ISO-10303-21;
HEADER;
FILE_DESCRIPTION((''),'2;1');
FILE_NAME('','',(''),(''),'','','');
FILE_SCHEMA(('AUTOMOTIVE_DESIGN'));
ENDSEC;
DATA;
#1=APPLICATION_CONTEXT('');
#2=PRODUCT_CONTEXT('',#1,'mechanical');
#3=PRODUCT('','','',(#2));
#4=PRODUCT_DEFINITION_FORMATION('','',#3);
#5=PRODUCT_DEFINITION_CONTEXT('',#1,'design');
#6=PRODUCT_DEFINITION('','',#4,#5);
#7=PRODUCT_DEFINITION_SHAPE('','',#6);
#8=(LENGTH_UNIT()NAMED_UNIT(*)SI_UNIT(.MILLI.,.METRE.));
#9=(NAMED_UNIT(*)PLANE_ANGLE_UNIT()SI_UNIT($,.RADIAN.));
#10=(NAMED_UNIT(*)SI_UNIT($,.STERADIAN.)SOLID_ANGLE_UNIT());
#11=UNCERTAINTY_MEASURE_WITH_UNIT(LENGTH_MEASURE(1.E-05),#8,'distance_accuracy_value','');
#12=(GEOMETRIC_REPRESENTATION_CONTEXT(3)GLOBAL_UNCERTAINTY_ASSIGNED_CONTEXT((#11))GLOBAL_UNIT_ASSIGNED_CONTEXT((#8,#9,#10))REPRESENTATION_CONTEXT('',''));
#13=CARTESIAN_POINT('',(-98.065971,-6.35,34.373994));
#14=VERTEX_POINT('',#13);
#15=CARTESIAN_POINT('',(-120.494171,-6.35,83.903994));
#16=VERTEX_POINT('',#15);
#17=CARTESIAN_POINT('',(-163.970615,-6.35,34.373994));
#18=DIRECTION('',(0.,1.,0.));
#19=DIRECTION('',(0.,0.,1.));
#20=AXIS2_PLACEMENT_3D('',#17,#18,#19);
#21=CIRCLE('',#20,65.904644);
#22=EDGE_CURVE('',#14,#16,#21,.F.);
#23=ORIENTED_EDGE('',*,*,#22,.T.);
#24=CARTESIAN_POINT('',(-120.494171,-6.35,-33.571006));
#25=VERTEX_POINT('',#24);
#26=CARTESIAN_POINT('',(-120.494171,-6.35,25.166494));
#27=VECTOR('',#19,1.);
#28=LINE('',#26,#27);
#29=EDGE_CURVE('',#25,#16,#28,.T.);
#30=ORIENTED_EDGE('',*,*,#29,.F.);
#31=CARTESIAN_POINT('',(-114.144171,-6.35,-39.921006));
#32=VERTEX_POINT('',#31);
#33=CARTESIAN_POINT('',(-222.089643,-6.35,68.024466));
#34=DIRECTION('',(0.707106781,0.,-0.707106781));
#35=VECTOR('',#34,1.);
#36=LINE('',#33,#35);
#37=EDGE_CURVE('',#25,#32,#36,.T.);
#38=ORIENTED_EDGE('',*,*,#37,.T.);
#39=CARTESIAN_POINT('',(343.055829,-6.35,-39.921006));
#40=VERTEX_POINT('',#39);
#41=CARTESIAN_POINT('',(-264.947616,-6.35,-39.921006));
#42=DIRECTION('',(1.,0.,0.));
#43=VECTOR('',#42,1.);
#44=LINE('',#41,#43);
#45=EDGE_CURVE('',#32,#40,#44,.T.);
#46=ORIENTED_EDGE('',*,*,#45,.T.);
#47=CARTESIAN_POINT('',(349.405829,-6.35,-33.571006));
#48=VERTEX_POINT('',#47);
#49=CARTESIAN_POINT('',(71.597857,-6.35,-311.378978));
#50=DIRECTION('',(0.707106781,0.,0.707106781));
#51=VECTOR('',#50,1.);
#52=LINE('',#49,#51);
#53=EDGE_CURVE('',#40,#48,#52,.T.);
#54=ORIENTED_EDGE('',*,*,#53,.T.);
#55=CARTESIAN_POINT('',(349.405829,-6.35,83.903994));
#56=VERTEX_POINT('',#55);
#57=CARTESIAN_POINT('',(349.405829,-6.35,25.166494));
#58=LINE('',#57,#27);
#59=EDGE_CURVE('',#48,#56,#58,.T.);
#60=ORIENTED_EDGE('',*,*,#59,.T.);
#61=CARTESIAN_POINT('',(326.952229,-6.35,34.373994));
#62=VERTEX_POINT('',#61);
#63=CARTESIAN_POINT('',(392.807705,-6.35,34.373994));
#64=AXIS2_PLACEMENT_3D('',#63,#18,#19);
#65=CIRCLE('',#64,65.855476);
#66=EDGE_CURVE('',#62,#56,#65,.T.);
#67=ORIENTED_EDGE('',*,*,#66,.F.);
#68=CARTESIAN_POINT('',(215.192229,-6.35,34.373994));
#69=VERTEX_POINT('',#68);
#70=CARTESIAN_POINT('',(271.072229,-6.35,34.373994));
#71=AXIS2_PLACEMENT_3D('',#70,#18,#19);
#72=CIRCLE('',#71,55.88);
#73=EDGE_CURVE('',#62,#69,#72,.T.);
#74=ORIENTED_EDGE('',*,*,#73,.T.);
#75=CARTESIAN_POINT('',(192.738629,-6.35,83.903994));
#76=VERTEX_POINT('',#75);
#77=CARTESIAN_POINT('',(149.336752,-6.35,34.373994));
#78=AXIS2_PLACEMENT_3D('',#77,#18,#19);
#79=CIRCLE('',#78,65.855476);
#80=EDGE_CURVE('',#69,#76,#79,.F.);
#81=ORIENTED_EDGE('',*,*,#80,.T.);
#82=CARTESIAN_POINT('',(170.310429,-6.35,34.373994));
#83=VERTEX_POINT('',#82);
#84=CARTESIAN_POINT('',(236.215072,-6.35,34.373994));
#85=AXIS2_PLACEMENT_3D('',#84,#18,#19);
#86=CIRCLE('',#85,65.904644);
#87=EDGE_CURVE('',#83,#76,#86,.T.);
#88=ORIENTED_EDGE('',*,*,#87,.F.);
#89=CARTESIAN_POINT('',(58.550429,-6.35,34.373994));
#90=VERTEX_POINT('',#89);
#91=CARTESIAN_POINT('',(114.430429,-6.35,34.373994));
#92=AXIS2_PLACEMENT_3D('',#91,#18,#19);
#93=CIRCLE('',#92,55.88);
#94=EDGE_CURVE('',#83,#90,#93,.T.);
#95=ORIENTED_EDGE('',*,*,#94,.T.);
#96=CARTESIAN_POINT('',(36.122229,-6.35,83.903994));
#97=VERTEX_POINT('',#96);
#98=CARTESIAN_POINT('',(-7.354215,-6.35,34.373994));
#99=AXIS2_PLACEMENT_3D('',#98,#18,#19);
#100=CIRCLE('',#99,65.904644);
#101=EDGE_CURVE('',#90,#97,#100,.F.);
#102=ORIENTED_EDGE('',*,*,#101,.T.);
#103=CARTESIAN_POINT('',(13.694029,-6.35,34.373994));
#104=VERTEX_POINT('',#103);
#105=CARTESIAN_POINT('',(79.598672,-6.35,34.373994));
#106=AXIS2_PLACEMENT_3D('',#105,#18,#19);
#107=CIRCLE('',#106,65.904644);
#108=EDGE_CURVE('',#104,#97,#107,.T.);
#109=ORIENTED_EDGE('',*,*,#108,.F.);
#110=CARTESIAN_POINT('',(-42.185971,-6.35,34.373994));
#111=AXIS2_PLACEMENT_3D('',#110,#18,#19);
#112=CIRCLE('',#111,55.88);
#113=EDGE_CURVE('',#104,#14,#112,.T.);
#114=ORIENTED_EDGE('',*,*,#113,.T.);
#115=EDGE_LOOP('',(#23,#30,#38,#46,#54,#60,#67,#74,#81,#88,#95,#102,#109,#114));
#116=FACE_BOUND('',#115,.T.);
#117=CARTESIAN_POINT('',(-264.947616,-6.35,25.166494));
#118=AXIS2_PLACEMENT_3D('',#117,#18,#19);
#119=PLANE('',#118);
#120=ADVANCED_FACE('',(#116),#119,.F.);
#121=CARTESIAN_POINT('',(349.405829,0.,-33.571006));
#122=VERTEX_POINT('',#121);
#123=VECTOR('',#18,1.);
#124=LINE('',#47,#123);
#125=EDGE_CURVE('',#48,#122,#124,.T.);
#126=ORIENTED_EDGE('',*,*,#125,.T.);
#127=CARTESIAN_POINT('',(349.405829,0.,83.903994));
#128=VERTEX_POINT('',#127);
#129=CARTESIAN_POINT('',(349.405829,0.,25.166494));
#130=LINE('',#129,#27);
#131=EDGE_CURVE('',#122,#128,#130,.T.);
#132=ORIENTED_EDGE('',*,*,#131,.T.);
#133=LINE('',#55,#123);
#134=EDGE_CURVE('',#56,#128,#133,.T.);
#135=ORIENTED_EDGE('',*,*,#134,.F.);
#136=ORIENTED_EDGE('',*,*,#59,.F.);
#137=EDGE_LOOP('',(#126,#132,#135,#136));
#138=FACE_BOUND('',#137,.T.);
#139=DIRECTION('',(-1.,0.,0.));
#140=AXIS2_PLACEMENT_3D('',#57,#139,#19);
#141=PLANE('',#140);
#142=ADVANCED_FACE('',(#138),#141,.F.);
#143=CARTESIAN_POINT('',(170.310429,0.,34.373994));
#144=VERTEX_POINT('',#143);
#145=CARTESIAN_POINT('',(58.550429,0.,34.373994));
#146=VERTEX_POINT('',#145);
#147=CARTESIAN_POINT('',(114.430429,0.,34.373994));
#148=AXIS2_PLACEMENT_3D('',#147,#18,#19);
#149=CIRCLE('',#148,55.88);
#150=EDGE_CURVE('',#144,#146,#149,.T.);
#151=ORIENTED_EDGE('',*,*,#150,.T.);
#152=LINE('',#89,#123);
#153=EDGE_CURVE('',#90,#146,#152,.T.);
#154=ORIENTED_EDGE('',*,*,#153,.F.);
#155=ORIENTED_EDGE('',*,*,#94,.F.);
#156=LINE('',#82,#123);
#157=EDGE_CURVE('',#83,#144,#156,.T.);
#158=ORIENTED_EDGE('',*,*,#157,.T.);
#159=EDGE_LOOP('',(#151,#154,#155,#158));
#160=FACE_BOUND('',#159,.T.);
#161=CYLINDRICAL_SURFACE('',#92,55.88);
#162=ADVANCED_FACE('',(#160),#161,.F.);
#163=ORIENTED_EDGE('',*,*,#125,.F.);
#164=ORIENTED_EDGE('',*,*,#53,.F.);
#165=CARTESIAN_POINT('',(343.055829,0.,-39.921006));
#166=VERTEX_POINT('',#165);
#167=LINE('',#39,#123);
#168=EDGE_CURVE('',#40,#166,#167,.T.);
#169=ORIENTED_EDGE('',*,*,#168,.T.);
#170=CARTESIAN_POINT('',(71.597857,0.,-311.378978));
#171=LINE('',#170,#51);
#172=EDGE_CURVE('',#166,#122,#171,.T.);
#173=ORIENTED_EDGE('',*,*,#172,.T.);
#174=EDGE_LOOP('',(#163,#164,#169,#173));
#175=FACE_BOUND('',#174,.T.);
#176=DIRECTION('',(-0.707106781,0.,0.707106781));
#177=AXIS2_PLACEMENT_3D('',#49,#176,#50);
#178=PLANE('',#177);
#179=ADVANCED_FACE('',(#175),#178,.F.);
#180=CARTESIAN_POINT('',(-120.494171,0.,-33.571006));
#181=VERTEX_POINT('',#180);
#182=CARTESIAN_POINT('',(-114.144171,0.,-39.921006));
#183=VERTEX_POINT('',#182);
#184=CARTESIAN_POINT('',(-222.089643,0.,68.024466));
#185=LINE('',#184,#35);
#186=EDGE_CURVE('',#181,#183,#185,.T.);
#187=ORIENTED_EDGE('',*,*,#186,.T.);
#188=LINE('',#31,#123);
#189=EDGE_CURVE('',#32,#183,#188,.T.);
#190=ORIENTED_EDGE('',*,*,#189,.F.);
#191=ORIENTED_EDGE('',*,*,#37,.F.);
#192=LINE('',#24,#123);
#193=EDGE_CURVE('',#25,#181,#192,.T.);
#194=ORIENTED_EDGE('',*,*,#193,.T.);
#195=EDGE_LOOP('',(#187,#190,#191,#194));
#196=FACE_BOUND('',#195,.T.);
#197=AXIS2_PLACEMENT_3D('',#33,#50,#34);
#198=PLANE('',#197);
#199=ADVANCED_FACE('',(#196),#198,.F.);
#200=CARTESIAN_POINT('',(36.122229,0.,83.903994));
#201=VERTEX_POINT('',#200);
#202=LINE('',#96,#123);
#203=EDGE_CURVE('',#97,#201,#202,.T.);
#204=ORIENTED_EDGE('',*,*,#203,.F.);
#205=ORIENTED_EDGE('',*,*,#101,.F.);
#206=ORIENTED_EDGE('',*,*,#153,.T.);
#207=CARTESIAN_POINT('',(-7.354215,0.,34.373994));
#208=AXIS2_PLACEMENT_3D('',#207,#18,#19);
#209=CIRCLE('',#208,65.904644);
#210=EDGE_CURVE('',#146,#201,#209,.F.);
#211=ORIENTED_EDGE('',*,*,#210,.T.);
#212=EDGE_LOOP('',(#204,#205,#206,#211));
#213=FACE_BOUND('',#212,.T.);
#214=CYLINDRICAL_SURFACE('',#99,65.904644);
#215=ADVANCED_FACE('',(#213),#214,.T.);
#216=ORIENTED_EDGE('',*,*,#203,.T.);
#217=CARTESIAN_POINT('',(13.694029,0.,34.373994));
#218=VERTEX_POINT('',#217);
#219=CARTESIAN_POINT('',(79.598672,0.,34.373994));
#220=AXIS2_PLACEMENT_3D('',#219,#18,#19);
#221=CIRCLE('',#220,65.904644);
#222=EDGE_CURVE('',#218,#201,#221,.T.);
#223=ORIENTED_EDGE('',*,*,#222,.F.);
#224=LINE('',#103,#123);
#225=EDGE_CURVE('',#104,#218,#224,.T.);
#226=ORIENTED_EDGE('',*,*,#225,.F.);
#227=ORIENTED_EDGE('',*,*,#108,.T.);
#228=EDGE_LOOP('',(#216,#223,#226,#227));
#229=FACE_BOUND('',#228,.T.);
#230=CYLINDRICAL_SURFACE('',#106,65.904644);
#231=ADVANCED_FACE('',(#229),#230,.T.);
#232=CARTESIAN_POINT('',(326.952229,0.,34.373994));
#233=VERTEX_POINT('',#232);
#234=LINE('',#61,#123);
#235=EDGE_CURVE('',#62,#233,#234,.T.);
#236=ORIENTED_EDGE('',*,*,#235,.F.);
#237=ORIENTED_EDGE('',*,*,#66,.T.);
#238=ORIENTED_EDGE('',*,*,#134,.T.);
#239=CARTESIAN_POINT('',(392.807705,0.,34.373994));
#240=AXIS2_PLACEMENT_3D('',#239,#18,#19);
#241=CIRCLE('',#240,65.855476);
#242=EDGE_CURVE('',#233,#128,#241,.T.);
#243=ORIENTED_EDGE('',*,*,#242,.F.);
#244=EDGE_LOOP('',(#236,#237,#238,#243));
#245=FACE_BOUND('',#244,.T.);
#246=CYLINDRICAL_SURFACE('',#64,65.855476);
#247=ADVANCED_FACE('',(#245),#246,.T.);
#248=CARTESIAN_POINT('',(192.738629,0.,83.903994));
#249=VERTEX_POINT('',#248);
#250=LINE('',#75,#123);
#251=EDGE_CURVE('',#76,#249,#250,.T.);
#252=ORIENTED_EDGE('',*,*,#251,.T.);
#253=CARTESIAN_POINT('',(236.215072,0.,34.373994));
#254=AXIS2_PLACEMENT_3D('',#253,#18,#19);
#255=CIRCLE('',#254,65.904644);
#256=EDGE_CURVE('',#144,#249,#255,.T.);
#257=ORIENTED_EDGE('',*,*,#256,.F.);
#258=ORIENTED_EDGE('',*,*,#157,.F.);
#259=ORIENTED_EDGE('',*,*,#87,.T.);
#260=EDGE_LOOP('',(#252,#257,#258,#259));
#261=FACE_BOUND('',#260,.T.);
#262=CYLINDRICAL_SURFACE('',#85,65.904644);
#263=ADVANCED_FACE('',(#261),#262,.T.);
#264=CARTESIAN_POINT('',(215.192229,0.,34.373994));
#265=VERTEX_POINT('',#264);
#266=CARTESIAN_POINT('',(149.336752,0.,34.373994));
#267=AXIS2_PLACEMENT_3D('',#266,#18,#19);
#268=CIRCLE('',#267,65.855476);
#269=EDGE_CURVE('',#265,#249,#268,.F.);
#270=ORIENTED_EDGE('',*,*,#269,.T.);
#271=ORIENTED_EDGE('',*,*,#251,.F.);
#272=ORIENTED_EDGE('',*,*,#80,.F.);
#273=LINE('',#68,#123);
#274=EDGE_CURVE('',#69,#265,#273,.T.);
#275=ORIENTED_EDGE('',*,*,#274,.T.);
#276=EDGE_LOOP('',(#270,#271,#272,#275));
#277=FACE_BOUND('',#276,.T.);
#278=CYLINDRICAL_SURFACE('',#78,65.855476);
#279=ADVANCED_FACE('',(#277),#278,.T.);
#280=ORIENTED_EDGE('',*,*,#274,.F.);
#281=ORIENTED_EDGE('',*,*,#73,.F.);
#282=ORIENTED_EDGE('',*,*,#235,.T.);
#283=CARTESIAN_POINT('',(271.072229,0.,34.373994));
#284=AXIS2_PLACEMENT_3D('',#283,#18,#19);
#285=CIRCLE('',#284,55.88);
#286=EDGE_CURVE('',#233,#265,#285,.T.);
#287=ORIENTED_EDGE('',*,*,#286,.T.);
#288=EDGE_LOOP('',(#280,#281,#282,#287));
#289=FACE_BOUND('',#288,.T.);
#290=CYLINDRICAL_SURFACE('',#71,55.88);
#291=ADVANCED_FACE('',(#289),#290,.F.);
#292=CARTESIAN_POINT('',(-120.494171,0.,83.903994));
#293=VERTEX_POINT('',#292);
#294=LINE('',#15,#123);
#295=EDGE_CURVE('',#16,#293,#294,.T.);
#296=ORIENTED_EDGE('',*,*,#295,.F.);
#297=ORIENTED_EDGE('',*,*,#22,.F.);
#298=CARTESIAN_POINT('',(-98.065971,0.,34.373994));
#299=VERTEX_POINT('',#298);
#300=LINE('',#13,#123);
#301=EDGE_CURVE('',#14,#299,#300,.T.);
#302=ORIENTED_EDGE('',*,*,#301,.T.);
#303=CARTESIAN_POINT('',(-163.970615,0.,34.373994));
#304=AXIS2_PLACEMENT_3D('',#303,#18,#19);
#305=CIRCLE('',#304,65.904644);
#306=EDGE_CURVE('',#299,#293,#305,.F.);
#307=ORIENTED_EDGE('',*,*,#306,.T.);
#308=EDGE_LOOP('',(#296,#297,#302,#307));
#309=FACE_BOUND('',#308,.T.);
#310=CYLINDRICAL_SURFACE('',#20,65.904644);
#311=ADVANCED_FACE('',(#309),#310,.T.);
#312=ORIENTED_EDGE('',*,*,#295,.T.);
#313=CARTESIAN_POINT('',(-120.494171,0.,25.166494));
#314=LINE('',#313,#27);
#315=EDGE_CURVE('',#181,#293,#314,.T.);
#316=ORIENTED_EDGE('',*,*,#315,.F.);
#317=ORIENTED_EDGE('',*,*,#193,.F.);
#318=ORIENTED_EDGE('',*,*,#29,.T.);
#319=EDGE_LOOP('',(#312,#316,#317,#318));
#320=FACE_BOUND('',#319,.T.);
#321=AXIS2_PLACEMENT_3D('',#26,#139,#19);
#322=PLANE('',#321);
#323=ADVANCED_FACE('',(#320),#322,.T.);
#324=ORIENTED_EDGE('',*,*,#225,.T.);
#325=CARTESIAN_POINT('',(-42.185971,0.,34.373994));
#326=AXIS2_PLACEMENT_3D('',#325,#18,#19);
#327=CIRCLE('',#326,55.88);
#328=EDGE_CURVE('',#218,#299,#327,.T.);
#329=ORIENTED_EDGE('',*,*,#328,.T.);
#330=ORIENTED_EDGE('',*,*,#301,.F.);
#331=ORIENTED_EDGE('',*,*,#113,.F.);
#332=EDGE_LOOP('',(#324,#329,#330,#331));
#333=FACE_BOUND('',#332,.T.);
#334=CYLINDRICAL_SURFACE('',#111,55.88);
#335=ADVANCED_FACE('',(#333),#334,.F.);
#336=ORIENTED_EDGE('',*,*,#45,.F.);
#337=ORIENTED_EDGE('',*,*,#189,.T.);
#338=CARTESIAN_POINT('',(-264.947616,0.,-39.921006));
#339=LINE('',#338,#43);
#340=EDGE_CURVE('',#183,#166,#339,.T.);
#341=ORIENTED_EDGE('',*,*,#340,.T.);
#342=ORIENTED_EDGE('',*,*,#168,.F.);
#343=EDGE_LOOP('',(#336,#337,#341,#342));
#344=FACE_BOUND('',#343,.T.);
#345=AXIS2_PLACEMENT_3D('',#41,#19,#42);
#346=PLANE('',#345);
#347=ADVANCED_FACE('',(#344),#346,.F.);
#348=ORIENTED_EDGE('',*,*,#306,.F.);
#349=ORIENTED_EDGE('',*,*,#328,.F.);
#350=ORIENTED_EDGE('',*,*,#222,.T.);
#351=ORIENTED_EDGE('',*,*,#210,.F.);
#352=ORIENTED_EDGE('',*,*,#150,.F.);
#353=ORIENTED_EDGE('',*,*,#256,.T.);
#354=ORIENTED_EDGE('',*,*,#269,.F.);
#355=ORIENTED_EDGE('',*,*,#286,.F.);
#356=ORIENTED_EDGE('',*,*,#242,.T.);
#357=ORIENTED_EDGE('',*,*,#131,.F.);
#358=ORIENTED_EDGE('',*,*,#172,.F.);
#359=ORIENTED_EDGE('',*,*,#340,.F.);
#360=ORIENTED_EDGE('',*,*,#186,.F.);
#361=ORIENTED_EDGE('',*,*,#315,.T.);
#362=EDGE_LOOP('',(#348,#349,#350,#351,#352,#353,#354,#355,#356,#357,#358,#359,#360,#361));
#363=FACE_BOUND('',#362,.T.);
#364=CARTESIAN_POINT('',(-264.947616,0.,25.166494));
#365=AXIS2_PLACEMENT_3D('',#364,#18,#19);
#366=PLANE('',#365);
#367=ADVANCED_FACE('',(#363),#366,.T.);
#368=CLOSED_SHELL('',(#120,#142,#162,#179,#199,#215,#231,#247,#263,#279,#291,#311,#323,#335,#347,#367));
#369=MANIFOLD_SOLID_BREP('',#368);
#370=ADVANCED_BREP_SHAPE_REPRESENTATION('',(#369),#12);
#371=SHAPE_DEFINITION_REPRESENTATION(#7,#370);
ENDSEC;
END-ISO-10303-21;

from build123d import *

# Parameters (mm, degrees)
BOSS_EXTRUDE1_DEPTH = 6.35


with BuildPart() as part:
    # Sketch1 → Boss-Extrude1 (new body)
    with BuildSketch(Plane(origin=(0, 0, 0), x_dir=(1, 0, 0), z_dir=(0, 1, 0))):
        with BuildLine():
            ThreePointArc((13.694028754, -34.373994235), (19.562343483, -61.559675463), (36.122228754, -83.903994235))
            Line((36.122228754, -83.903994235), (36.122228754, 39.921005765))
            Line((36.122228754, 39.921005765), (-114.144171246, 39.921005765))
            Line((-114.144171246, 39.921005765), (-120.494171246, 33.571005765))
            Line((-120.494171246, 33.571005765), (-120.494171246, -83.903994235))
            ThreePointArc((-120.494171246, -83.903994235), (-103.934285976, -61.559675463), (-98.065971246, -34.373994235))
            ThreePointArc((-98.065971246, -34.373994235), (-42.185971246, 21.506005765), (13.694028754, -34.373994235))
        make_face()
        with BuildLine():
            Line((36.122228754, 39.921005765), (36.122228754, -83.903994235))
            ThreePointArc((36.122228754, -83.903994235), (52.682114024, -61.559675463), (58.550428754, -34.373994235))
            ThreePointArc((58.550428754, -34.373994235), (114.430428754, 21.506005765), (170.310428754, -34.373994235))
            ThreePointArc((170.310428754, -34.373994235), (176.178743483, -61.559675463), (192.738628754, -83.903994235))
            Line((192.738628754, -83.903994235), (192.738628754, 39.921005765))
            Line((192.738628754, 39.921005765), (36.122228754, 39.921005765))
        make_face()
        with BuildLine():
            Line((343.055828754, 39.921005765), (192.738628754, 39.921005765))
            Line((192.738628754, 39.921005765), (192.738628754, -83.903994235))
            ThreePointArc((192.738628754, -83.903994235), (209.316728258, -61.564916677), (215.192228754, -34.373994235))
            ThreePointArc((215.192228754, -34.373994235), (271.072228754, 21.506005765), (326.952228754, -34.373994235))
            ThreePointArc((326.952228754, -34.373994235), (332.827729249, -61.564916677), (349.405828754, -83.903994235))
            Line((349.405828754, -83.903994235), (349.405828754, 33.571005765))
            Line((349.405828754, 33.571005765), (343.055828754, 39.921005765))
        make_face()
    extrude(amount=-BOSS_EXTRUDE1_DEPTH)


solid = part.part
